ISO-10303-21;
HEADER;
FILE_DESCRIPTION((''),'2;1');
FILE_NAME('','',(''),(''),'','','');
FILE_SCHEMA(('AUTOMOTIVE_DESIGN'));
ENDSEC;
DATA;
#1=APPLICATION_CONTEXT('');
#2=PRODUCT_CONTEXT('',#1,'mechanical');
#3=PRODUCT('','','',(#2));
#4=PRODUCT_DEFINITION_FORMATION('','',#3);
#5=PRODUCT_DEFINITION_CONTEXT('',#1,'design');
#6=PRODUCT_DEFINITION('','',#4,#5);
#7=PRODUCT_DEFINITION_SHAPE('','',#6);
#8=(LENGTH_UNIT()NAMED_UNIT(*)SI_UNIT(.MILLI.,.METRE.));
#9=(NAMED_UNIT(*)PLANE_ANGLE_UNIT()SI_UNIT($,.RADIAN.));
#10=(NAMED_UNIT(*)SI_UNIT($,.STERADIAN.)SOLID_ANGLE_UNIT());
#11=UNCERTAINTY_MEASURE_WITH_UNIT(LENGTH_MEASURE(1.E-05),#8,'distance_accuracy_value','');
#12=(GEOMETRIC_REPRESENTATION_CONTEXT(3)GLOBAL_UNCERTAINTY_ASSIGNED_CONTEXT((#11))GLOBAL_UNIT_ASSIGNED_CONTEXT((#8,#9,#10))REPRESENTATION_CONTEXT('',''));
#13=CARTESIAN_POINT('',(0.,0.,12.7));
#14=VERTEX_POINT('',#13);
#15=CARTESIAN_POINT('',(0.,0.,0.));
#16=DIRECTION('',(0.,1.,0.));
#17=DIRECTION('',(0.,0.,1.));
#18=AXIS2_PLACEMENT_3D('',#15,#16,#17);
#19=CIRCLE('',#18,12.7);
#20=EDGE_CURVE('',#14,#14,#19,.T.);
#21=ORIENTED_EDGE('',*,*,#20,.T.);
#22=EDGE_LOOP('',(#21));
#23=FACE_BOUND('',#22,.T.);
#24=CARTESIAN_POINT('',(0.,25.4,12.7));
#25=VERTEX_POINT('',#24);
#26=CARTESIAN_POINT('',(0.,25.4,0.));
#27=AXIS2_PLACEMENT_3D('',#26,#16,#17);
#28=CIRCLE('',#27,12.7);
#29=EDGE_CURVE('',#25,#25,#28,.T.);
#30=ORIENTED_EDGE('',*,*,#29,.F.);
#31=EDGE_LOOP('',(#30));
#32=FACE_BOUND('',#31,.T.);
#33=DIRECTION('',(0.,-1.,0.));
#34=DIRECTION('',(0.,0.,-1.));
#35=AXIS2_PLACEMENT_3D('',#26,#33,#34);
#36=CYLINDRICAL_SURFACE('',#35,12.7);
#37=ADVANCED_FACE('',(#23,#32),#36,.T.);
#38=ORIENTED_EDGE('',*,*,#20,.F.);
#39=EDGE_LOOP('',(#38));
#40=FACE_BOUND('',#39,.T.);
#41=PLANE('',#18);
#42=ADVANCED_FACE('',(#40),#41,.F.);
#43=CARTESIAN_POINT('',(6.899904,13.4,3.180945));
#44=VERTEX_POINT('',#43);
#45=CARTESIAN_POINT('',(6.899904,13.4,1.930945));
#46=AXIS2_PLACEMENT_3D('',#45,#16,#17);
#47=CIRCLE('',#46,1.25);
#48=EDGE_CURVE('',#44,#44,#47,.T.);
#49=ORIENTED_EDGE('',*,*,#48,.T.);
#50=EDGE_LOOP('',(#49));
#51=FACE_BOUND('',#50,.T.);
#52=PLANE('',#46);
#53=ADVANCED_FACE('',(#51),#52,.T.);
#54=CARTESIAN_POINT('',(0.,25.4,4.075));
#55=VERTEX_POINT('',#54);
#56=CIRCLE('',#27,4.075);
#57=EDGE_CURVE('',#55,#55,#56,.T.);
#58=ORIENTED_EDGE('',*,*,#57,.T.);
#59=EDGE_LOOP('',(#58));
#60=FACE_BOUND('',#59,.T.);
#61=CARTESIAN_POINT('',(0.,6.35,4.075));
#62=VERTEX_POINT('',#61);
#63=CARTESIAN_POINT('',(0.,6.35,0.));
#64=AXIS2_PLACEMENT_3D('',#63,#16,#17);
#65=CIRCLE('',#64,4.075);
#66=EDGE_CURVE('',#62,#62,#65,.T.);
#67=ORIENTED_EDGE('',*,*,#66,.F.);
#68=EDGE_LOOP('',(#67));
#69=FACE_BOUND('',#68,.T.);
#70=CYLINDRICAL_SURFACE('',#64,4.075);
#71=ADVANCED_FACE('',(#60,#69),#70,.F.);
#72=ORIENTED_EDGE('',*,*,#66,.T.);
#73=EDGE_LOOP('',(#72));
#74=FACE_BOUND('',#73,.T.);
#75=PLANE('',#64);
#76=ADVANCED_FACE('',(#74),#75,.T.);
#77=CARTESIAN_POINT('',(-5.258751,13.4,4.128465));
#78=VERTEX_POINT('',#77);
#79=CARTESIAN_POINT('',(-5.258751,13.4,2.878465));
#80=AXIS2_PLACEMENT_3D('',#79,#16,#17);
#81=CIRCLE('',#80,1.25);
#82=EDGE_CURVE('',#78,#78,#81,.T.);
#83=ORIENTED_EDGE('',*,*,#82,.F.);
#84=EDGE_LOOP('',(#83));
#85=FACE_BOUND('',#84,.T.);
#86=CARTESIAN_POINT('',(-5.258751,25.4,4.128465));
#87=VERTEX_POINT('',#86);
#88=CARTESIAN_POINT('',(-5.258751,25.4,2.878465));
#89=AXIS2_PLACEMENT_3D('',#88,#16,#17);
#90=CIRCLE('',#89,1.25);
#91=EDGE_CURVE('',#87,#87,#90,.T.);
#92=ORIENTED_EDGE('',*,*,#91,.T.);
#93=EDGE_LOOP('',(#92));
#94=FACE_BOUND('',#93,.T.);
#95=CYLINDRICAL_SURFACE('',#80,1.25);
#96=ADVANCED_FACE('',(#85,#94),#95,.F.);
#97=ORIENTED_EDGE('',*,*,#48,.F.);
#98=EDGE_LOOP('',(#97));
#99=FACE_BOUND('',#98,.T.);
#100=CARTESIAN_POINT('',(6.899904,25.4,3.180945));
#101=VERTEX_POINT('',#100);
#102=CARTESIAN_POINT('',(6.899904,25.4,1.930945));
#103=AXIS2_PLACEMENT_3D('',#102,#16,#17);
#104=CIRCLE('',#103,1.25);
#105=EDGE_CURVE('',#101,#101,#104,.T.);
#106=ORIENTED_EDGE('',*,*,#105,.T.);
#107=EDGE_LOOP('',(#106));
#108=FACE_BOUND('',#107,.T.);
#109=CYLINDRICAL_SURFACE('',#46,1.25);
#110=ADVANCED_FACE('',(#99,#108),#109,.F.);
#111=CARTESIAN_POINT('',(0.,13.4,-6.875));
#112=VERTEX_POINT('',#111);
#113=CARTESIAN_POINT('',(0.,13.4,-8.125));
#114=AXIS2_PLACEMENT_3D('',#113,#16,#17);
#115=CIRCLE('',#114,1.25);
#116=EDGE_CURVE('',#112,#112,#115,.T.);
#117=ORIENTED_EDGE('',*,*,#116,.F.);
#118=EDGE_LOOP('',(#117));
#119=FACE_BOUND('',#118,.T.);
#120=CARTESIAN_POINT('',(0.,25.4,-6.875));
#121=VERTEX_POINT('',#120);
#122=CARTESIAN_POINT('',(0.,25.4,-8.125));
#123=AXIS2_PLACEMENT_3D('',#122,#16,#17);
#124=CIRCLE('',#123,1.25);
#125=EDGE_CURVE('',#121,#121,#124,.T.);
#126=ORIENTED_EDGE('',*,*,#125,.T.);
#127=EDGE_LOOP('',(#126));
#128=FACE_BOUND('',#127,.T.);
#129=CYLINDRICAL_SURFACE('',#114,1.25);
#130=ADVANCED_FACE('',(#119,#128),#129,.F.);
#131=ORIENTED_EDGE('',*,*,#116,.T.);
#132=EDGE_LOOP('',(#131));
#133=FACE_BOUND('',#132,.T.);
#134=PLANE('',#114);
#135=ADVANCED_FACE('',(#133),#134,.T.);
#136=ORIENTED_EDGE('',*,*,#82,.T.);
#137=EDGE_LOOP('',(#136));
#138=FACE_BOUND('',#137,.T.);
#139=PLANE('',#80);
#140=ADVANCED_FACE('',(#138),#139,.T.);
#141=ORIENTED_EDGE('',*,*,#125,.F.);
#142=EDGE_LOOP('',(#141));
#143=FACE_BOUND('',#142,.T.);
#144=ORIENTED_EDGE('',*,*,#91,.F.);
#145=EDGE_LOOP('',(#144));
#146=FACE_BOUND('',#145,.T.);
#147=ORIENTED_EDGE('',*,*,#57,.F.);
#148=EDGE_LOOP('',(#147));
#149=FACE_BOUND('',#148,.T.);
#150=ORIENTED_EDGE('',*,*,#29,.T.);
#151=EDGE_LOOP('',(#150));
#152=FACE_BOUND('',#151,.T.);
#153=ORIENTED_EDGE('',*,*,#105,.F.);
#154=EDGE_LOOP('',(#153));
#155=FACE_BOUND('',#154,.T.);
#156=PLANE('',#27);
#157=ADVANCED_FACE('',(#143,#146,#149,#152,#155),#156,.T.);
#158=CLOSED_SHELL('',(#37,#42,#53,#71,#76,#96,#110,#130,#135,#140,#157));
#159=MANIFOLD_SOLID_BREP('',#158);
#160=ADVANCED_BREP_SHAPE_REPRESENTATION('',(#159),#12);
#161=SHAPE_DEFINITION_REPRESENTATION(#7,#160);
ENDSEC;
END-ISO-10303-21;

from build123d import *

# Parameters (mm, degrees)
SKETCH1_R           = 12.7
BOSS_EXTRUDE1_DEPTH = 25.4
SKETCH2_R           = 4.075
CUT_EXTRUDE1_DEPTH  = 19.05
SKETCH3_R           = 1.25
CUT_EXTRUDE2_DEPTH  = 12


with BuildPart() as part:
    # Sketch1 → Boss-Extrude1 (new body)
    with BuildSketch(Plane(origin=(0, 0, 0), x_dir=(1, 0, 0), z_dir=(0, 1, 0))):
        Circle(SKETCH1_R)
    extrude(amount=BOSS_EXTRUDE1_DEPTH)

    # Sketch2 → Cut-Extrude1 (cut)
    with BuildSketch(Plane(origin=(0, 25.4, 0), x_dir=(1, 0, 0), z_dir=(0, 1, 0))):
        Circle(SKETCH2_R)
    extrude(amount=-CUT_EXTRUDE1_DEPTH, mode=Mode.SUBTRACT)

    # Sketch3 → Cut-Extrude2 (cut)
    with BuildSketch(Plane(origin=(0, 25.4, 0), x_dir=(1, 0, 0), z_dir=(0, 1, 0))):
        with Locations((6.899904191, -1.930944627)):
            Circle(SKETCH3_R)
        with Locations((-5.25875141, -2.878464627)):
            Circle(SKETCH3_R)
        with Locations((0, 8.125)):
            Circle(SKETCH3_R)
    extrude(amount=-CUT_EXTRUDE2_DEPTH, mode=Mode.SUBTRACT)


solid = part.part
